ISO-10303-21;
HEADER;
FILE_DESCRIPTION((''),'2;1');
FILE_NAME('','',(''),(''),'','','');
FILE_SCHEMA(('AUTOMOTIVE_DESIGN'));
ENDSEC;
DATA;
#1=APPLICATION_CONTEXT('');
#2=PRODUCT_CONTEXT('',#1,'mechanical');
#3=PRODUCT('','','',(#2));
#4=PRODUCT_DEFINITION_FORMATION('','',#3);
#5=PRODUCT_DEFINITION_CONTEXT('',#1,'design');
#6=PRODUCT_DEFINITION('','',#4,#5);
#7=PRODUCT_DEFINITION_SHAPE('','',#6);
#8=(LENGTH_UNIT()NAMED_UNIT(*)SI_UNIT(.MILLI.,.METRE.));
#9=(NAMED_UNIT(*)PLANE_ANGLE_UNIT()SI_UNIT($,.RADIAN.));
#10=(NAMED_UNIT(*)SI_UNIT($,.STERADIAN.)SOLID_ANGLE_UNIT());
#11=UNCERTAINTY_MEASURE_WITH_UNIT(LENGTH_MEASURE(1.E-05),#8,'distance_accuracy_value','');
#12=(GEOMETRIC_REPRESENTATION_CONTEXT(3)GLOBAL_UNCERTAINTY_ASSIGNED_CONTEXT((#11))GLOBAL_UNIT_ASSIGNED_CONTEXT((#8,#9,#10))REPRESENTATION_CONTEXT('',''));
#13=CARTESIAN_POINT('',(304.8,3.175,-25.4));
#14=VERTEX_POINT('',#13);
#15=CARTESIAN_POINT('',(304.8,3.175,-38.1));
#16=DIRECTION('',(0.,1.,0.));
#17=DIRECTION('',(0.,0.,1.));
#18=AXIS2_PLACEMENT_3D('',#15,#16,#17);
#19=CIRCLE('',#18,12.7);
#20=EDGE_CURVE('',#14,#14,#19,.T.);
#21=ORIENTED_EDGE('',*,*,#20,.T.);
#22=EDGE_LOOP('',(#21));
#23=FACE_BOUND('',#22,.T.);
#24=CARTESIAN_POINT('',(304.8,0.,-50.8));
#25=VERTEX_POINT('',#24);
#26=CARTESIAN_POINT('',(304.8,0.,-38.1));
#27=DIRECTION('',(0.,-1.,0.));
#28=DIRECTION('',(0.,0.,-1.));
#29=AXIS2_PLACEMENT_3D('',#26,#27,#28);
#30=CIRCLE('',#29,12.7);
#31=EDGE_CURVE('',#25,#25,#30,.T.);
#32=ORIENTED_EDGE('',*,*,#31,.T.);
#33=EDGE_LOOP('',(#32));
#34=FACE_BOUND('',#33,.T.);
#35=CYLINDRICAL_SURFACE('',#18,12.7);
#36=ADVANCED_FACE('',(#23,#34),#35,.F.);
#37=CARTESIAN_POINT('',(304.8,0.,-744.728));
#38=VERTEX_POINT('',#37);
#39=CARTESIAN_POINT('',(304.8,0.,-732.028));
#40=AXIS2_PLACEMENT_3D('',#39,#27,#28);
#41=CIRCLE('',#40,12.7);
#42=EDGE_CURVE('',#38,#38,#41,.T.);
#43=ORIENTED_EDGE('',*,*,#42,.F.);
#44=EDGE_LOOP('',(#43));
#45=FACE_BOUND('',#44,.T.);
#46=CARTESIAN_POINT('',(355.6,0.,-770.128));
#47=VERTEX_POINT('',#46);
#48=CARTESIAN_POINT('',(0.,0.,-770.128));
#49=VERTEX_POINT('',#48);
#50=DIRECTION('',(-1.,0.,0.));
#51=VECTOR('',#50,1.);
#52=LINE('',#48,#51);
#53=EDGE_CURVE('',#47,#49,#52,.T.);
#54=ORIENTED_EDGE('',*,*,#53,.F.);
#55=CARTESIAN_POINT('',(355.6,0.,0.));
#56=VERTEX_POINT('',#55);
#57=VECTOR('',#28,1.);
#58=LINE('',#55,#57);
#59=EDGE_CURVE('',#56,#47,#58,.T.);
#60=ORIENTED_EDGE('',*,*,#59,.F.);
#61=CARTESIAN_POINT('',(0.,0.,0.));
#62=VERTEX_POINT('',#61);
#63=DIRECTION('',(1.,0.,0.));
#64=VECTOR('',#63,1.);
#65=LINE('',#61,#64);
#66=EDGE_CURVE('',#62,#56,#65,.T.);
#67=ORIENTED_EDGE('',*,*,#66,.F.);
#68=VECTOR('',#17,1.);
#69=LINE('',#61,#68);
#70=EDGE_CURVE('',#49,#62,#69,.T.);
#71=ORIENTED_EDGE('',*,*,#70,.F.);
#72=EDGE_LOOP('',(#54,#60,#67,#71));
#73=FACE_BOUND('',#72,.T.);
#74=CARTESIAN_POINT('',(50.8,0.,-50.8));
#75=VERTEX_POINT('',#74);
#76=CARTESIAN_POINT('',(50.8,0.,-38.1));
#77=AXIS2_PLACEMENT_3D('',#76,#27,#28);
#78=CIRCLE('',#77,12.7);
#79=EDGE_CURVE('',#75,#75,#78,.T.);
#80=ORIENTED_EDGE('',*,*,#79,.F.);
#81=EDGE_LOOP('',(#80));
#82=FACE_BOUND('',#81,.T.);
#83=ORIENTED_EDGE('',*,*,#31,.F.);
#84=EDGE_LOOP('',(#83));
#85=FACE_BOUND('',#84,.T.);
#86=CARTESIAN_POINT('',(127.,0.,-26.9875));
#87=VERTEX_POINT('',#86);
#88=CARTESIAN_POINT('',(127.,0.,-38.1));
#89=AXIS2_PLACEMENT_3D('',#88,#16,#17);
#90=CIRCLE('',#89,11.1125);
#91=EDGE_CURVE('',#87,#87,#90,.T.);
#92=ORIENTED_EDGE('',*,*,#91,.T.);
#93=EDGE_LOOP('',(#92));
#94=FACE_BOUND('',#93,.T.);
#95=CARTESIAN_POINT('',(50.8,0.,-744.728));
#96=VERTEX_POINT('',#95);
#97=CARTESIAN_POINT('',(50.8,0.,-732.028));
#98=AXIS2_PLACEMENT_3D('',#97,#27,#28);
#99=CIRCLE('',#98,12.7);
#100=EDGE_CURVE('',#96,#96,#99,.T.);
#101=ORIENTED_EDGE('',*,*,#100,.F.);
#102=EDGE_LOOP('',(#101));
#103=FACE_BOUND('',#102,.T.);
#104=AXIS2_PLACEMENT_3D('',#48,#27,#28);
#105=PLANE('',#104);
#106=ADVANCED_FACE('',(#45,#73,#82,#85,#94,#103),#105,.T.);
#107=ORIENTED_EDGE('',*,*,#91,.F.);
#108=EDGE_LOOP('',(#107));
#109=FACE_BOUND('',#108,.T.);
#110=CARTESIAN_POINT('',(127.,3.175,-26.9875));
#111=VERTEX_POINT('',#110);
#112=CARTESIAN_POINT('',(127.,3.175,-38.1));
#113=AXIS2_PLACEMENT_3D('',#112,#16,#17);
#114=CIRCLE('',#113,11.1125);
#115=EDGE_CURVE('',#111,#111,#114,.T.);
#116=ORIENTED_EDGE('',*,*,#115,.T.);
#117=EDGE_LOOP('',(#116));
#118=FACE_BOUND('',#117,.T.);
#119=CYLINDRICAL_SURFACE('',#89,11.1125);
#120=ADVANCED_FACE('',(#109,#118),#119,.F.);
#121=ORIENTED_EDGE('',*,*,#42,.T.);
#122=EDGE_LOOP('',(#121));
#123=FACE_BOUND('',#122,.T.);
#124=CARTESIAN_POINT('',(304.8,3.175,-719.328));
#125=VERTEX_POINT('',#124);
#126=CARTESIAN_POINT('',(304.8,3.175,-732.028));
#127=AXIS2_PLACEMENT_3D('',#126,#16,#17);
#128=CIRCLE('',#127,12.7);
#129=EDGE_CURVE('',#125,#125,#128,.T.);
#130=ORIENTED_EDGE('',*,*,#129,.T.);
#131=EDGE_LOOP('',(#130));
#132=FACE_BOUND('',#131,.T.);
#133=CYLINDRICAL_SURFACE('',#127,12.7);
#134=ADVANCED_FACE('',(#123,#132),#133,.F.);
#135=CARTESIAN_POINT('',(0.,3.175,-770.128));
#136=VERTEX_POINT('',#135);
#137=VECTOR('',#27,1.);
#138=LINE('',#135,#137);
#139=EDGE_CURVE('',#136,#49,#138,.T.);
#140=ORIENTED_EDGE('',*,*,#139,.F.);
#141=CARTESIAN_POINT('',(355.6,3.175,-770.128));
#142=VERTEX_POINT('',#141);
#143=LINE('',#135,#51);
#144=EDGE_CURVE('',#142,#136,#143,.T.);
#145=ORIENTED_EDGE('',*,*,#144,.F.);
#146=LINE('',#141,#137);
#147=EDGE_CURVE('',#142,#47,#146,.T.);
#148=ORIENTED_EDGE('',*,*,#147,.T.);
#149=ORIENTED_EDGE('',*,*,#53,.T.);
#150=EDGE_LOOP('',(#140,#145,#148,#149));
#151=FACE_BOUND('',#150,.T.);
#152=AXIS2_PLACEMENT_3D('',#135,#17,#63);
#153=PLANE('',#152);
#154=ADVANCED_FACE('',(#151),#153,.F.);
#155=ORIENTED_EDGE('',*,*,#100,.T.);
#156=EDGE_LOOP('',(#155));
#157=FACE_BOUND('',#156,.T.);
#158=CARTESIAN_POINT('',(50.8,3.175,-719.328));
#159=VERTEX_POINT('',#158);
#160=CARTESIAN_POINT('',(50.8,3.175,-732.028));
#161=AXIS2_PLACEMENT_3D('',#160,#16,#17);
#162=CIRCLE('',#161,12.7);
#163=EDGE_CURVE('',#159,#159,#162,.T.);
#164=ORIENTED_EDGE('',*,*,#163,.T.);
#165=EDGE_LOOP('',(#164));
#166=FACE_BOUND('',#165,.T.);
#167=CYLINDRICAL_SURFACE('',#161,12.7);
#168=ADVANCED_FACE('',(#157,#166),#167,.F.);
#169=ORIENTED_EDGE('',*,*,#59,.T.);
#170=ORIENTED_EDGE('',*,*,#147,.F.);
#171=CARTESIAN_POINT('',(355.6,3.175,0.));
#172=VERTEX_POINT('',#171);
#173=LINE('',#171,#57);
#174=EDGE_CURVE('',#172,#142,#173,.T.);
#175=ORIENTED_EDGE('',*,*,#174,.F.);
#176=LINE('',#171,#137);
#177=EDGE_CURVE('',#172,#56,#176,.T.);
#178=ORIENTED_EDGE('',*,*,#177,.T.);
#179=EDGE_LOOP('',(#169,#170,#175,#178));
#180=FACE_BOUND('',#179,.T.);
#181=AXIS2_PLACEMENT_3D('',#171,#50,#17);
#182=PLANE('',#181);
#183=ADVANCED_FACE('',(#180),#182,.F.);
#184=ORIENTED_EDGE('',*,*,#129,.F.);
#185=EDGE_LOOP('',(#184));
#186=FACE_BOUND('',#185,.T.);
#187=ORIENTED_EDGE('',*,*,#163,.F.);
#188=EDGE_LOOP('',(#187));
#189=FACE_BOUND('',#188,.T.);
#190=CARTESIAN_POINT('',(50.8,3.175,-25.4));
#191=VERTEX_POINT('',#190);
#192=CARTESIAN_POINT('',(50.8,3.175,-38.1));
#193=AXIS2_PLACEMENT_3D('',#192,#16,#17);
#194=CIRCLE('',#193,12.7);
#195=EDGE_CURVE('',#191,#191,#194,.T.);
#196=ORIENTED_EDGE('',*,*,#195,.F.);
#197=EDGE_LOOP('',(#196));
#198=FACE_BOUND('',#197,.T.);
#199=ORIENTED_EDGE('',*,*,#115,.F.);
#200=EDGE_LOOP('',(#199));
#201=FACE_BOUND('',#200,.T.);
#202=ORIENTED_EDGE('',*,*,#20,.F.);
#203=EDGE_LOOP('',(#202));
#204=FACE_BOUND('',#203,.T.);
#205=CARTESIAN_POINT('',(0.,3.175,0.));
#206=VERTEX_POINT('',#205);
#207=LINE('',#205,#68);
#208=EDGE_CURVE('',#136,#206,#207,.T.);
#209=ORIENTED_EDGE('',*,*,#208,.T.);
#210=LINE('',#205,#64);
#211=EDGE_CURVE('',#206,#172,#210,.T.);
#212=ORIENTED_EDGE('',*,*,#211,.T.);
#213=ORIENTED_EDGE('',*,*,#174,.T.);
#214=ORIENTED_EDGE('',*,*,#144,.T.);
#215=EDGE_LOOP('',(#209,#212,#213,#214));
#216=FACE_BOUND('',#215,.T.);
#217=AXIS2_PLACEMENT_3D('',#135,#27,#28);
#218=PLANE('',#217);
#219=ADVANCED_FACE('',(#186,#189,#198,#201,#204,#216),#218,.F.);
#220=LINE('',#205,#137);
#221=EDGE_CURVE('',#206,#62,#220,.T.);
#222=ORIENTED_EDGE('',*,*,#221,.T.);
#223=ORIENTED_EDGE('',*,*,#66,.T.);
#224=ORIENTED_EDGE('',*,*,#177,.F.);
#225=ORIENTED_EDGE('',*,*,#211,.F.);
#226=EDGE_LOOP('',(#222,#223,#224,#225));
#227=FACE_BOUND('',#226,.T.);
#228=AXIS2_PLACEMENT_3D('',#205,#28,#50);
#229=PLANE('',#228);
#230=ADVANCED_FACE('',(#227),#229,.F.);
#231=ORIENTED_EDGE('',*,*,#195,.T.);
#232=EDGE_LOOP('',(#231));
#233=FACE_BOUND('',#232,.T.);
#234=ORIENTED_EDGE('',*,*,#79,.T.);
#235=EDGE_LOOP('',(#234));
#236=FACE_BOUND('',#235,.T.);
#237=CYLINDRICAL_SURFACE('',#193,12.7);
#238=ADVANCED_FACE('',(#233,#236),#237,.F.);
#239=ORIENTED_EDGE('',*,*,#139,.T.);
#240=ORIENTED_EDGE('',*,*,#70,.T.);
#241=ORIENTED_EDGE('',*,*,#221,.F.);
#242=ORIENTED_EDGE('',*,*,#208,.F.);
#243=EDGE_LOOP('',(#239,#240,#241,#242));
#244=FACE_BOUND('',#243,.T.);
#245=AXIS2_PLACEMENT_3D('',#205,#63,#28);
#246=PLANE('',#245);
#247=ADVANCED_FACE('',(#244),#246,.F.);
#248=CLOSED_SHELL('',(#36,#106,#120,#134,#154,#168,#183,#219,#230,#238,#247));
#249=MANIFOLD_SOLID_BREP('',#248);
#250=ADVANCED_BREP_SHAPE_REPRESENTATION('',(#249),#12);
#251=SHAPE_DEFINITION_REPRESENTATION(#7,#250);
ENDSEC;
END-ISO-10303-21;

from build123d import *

# Parameters (mm, degrees)
SKETCH1_W                  = 355.6
SKETCH1_H                  = 770.128
BOSS_EXTRUDE1_DEPTH        = 3.175
F_1_1_DIAMETER_HOLE1_D     = 25.4
F_1_1_DIAMETER_HOLE1_DEPTH = 20.574
F_1_1_DIAMETER_HOLE1_TIP   = 7.630929862
SKETCH4_R                  = 11.1125
CUT_EXTRUDE1_DEPTH         = 4.175


with BuildPart() as part:
    # Sketch1 → Boss-Extrude1 (new body)
    with BuildSketch(Plane(origin=(0, 0, 0), x_dir=(1, 0, 0), z_dir=(0, 1, 0))):
        with Locations((177.8, 385.064)):
            Rectangle(SKETCH1_W, SKETCH1_H)
    extrude(amount=BOSS_EXTRUDE1_DEPTH)

    # 1 (1) Diameter Hole1
    with Locations(Plane(origin=(0, 3.175, 0), x_dir=(-1, 0, 0), z_dir=(0, 1, 0))):
        with Locations((-50.8, -38.1), (-50.8, -732.028), (-304.8, -732.028), (-304.8, -38.1)):
            Hole(F_1_1_DIAMETER_HOLE1_D / 2, depth=F_1_1_DIAMETER_HOLE1_DEPTH)
            with Locations((0, 0, -(F_1_1_DIAMETER_HOLE1_DEPTH + F_1_1_DIAMETER_HOLE1_TIP / 2))):  # 118° drill point
                Cone(0, F_1_1_DIAMETER_HOLE1_D / 2, F_1_1_DIAMETER_HOLE1_TIP, mode=Mode.SUBTRACT)

    # Sketch4 → Cut-Extrude1 (cut, through all)
    with BuildSketch(Plane(origin=(0, 3.175, 0), x_dir=(1, 0, 0), z_dir=(0, 1, 0))):
        with Locations((127, 38.1)):
            Circle(SKETCH4_R)
    extrude(amount=-CUT_EXTRUDE1_DEPTH, mode=Mode.SUBTRACT)


solid = part.part
